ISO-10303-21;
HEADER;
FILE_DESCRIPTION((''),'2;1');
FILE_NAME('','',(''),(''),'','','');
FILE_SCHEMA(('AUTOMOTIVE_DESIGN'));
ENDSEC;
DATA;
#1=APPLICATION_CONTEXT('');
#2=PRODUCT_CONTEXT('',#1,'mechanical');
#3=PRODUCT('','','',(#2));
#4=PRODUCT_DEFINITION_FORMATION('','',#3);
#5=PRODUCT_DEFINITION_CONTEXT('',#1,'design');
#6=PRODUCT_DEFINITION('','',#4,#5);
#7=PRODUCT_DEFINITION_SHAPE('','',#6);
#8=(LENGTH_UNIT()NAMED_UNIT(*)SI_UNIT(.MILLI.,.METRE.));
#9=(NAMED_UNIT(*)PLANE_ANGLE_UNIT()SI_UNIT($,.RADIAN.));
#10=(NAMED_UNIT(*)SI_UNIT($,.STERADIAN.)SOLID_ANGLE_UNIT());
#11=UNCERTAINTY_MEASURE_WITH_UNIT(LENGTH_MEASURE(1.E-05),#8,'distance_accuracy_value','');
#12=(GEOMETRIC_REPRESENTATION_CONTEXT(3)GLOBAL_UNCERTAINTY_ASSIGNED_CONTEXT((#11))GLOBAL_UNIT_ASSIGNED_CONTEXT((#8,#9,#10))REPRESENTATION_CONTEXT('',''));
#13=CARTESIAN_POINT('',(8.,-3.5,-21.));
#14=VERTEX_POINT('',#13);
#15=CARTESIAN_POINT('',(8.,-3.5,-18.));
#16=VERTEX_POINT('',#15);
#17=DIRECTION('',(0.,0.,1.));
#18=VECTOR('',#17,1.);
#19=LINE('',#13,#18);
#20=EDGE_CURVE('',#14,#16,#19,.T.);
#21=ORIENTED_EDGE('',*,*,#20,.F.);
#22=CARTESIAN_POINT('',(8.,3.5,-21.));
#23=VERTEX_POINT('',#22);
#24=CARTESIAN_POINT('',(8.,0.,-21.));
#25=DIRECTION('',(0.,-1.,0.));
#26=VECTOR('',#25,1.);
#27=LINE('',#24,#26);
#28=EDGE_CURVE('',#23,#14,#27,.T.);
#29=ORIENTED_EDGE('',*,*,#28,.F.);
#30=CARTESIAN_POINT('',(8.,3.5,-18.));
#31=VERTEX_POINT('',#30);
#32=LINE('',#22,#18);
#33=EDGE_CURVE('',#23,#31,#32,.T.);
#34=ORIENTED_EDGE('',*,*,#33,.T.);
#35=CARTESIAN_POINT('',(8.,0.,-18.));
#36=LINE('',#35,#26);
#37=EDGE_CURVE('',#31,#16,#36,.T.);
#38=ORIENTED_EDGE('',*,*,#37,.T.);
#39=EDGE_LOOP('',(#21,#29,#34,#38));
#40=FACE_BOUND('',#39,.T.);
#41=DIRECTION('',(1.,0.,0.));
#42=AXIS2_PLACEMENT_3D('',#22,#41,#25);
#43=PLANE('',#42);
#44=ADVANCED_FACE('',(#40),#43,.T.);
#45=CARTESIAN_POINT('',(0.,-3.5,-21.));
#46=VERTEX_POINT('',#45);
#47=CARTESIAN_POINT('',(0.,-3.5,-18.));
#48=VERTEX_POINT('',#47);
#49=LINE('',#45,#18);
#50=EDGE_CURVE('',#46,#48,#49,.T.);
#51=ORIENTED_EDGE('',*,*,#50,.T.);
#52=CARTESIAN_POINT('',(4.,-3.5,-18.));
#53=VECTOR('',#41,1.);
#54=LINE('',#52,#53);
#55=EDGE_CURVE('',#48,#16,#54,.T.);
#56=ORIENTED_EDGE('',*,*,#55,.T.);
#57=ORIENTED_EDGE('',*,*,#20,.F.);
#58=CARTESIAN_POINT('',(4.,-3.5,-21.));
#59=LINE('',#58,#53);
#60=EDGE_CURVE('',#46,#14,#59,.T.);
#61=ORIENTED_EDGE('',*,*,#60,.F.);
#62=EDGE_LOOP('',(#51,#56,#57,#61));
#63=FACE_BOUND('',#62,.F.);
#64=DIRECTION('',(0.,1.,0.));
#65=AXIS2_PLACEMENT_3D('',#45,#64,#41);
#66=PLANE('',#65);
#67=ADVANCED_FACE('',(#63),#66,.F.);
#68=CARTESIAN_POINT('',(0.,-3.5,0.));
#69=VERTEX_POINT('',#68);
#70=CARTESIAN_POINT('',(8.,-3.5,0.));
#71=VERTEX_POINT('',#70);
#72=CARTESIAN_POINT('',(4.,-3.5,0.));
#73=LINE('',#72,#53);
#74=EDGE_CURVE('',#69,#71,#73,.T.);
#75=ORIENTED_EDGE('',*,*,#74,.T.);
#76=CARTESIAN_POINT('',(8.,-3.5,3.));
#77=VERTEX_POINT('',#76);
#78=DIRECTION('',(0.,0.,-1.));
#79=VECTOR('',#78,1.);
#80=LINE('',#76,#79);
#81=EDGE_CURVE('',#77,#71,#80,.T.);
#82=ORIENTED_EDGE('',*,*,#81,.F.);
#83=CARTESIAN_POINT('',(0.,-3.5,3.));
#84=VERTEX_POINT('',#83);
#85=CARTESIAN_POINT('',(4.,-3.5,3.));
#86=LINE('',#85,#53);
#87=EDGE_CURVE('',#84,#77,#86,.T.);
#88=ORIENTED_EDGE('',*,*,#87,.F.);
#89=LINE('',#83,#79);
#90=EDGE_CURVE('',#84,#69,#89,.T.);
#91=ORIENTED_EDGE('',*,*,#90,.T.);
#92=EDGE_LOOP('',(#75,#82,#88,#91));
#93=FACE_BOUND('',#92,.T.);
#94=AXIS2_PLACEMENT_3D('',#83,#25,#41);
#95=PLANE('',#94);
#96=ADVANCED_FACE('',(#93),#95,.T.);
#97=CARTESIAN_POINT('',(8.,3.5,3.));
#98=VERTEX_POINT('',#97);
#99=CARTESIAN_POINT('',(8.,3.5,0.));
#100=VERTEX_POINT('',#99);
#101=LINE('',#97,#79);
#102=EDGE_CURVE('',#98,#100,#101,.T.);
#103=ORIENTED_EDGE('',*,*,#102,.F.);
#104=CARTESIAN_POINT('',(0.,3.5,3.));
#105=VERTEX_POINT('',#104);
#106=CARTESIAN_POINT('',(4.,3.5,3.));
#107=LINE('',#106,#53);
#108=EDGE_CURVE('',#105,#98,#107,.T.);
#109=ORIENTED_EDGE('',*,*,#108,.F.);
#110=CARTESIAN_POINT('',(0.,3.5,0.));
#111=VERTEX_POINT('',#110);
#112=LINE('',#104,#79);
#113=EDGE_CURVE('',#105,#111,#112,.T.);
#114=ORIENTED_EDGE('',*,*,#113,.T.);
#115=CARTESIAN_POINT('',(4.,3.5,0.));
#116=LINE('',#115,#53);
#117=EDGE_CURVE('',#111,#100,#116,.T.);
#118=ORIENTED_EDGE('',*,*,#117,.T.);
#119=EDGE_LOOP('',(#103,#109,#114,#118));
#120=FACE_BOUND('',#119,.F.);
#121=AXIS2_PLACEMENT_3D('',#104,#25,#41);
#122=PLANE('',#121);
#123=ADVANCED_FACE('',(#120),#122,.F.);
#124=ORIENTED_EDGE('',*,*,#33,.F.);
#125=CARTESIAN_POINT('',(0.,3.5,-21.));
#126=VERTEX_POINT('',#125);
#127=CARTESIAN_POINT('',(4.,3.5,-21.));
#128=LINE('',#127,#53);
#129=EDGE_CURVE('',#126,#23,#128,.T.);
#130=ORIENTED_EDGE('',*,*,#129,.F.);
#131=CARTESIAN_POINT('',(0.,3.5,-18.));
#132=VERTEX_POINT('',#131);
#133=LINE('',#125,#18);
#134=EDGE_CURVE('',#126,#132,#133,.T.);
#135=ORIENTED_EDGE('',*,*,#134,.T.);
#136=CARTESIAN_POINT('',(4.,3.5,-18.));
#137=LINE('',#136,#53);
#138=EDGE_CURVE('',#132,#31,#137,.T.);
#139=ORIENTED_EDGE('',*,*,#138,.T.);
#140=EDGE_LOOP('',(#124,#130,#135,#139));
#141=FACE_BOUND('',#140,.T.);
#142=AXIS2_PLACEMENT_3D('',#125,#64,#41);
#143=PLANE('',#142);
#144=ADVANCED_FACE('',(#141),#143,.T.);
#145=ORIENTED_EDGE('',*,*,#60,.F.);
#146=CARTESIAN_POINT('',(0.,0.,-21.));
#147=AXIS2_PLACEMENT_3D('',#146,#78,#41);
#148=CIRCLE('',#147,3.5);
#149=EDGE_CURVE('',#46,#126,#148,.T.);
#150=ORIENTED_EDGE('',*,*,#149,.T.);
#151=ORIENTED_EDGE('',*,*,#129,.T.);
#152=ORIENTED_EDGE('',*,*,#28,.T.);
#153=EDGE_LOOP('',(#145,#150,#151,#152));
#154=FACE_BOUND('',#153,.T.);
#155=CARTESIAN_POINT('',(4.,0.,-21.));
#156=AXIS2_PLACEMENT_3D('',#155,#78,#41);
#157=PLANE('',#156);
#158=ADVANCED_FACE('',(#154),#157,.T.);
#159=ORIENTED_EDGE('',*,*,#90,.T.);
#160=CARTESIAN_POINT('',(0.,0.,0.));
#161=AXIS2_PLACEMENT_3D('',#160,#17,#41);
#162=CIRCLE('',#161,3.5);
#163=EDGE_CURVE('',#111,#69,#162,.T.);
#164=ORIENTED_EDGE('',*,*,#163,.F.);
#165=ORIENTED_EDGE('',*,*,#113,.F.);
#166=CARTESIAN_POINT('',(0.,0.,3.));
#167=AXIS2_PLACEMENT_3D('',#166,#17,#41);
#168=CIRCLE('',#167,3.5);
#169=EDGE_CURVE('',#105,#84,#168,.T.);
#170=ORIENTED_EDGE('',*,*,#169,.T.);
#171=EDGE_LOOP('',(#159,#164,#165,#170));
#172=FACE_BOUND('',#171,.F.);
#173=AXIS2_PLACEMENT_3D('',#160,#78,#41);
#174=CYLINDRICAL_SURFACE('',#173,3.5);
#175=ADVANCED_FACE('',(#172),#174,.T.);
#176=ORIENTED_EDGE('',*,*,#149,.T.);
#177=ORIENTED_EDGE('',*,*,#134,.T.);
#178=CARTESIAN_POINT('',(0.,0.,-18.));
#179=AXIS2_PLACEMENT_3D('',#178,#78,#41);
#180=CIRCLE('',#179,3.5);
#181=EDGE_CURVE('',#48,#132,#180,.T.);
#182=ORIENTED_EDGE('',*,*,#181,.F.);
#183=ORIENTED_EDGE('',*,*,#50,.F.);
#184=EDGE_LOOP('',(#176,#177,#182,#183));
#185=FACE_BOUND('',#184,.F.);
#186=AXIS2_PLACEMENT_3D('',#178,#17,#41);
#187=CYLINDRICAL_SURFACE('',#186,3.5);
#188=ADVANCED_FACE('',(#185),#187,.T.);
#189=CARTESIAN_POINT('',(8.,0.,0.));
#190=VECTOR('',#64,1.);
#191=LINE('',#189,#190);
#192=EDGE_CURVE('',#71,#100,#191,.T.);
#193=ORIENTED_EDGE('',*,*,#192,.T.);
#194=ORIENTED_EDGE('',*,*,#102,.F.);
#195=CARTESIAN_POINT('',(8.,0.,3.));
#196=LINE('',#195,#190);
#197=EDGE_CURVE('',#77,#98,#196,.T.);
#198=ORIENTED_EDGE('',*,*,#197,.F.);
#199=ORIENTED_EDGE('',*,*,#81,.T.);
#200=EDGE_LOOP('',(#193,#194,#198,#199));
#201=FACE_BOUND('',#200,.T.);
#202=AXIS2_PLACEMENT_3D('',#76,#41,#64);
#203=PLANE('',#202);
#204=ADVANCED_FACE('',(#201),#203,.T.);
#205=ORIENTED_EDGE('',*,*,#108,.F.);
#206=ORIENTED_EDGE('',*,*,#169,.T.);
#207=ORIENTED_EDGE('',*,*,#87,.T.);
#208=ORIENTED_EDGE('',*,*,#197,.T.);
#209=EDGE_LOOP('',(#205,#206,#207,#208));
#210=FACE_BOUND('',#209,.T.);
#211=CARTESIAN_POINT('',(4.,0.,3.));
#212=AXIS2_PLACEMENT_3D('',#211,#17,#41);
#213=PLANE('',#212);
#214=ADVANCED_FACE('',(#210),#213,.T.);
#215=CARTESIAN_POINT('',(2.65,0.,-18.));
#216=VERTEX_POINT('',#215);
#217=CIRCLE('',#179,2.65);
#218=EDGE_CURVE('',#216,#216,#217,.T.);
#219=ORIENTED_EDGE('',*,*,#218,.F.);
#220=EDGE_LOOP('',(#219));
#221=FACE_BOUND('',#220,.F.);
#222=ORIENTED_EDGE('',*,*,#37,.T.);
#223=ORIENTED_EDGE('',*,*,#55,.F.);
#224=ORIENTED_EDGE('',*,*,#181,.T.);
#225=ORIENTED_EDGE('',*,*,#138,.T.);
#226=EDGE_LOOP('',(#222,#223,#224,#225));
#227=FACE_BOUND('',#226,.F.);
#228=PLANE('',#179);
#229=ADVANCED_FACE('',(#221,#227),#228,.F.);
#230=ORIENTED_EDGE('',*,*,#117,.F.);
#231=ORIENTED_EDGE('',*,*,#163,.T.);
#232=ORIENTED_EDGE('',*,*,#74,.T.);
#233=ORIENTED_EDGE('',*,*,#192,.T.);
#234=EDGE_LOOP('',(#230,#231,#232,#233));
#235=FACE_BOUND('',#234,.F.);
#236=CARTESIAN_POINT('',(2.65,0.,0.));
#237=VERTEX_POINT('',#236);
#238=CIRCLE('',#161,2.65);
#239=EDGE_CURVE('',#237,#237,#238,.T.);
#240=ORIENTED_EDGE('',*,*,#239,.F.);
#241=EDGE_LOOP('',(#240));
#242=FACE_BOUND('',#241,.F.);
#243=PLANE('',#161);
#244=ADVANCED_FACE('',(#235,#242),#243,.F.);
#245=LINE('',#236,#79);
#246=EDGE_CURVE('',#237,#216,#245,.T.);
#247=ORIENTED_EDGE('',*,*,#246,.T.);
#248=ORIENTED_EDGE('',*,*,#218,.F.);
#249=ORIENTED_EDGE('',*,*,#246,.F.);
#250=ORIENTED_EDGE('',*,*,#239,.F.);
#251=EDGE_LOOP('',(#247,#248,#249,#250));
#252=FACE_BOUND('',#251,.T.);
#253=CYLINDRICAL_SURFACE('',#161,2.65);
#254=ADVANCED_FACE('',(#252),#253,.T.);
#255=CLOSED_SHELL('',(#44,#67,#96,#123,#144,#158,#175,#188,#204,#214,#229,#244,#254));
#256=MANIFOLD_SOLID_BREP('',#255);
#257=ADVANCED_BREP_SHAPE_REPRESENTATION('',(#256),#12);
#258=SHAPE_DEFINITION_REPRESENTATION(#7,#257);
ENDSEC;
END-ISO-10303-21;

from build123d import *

# Parameters (mm, degrees)
F0_R     = 2.65
F1_DEPTH = 18
F2_R     = 3.5
F3_DEPTH = 3
F4_R     = 3.5
F5_DEPTH = 3
F6_W     = 8
F6_H     = 7
F7_DEPTH = 3
F8_W     = 8
F8_H     = 7
F9_DEPTH = 3


with BuildPart() as f1:
    # F0 (on Top) → F1 (new body)
    with BuildSketch(Plane.XY):
        Circle(F0_R)
    extrude(amount=-F1_DEPTH)

    # F2 (on face) → F3 (join)
    with BuildSketch(Plane.XY):
        Circle(F2_R)
    extrude(amount=F3_DEPTH)

    # F4 (on face) → F5 (join)
    with BuildSketch(Plane(origin=(0, 0, -18), x_dir=(1, 0, 0), z_dir=(0, 0, -1))):
        Circle(F4_R)
    extrude(amount=F5_DEPTH)

    # F6 (on face) → F7 (join)
    with BuildSketch(Plane(origin=(0, 0, -21), x_dir=(1, 0, 0), z_dir=(0, 0, -1))):
        with Locations((4, 0)):
            Rectangle(F6_W, F6_H)
    extrude(amount=-F7_DEPTH)

    # F8 (on face) → F9 (join)
    with BuildSketch(Plane.XY.offset(3)):
        with Locations((4, 0)):
            Rectangle(F8_W, F8_H)
    extrude(amount=-F9_DEPTH)


solid = f1.part
